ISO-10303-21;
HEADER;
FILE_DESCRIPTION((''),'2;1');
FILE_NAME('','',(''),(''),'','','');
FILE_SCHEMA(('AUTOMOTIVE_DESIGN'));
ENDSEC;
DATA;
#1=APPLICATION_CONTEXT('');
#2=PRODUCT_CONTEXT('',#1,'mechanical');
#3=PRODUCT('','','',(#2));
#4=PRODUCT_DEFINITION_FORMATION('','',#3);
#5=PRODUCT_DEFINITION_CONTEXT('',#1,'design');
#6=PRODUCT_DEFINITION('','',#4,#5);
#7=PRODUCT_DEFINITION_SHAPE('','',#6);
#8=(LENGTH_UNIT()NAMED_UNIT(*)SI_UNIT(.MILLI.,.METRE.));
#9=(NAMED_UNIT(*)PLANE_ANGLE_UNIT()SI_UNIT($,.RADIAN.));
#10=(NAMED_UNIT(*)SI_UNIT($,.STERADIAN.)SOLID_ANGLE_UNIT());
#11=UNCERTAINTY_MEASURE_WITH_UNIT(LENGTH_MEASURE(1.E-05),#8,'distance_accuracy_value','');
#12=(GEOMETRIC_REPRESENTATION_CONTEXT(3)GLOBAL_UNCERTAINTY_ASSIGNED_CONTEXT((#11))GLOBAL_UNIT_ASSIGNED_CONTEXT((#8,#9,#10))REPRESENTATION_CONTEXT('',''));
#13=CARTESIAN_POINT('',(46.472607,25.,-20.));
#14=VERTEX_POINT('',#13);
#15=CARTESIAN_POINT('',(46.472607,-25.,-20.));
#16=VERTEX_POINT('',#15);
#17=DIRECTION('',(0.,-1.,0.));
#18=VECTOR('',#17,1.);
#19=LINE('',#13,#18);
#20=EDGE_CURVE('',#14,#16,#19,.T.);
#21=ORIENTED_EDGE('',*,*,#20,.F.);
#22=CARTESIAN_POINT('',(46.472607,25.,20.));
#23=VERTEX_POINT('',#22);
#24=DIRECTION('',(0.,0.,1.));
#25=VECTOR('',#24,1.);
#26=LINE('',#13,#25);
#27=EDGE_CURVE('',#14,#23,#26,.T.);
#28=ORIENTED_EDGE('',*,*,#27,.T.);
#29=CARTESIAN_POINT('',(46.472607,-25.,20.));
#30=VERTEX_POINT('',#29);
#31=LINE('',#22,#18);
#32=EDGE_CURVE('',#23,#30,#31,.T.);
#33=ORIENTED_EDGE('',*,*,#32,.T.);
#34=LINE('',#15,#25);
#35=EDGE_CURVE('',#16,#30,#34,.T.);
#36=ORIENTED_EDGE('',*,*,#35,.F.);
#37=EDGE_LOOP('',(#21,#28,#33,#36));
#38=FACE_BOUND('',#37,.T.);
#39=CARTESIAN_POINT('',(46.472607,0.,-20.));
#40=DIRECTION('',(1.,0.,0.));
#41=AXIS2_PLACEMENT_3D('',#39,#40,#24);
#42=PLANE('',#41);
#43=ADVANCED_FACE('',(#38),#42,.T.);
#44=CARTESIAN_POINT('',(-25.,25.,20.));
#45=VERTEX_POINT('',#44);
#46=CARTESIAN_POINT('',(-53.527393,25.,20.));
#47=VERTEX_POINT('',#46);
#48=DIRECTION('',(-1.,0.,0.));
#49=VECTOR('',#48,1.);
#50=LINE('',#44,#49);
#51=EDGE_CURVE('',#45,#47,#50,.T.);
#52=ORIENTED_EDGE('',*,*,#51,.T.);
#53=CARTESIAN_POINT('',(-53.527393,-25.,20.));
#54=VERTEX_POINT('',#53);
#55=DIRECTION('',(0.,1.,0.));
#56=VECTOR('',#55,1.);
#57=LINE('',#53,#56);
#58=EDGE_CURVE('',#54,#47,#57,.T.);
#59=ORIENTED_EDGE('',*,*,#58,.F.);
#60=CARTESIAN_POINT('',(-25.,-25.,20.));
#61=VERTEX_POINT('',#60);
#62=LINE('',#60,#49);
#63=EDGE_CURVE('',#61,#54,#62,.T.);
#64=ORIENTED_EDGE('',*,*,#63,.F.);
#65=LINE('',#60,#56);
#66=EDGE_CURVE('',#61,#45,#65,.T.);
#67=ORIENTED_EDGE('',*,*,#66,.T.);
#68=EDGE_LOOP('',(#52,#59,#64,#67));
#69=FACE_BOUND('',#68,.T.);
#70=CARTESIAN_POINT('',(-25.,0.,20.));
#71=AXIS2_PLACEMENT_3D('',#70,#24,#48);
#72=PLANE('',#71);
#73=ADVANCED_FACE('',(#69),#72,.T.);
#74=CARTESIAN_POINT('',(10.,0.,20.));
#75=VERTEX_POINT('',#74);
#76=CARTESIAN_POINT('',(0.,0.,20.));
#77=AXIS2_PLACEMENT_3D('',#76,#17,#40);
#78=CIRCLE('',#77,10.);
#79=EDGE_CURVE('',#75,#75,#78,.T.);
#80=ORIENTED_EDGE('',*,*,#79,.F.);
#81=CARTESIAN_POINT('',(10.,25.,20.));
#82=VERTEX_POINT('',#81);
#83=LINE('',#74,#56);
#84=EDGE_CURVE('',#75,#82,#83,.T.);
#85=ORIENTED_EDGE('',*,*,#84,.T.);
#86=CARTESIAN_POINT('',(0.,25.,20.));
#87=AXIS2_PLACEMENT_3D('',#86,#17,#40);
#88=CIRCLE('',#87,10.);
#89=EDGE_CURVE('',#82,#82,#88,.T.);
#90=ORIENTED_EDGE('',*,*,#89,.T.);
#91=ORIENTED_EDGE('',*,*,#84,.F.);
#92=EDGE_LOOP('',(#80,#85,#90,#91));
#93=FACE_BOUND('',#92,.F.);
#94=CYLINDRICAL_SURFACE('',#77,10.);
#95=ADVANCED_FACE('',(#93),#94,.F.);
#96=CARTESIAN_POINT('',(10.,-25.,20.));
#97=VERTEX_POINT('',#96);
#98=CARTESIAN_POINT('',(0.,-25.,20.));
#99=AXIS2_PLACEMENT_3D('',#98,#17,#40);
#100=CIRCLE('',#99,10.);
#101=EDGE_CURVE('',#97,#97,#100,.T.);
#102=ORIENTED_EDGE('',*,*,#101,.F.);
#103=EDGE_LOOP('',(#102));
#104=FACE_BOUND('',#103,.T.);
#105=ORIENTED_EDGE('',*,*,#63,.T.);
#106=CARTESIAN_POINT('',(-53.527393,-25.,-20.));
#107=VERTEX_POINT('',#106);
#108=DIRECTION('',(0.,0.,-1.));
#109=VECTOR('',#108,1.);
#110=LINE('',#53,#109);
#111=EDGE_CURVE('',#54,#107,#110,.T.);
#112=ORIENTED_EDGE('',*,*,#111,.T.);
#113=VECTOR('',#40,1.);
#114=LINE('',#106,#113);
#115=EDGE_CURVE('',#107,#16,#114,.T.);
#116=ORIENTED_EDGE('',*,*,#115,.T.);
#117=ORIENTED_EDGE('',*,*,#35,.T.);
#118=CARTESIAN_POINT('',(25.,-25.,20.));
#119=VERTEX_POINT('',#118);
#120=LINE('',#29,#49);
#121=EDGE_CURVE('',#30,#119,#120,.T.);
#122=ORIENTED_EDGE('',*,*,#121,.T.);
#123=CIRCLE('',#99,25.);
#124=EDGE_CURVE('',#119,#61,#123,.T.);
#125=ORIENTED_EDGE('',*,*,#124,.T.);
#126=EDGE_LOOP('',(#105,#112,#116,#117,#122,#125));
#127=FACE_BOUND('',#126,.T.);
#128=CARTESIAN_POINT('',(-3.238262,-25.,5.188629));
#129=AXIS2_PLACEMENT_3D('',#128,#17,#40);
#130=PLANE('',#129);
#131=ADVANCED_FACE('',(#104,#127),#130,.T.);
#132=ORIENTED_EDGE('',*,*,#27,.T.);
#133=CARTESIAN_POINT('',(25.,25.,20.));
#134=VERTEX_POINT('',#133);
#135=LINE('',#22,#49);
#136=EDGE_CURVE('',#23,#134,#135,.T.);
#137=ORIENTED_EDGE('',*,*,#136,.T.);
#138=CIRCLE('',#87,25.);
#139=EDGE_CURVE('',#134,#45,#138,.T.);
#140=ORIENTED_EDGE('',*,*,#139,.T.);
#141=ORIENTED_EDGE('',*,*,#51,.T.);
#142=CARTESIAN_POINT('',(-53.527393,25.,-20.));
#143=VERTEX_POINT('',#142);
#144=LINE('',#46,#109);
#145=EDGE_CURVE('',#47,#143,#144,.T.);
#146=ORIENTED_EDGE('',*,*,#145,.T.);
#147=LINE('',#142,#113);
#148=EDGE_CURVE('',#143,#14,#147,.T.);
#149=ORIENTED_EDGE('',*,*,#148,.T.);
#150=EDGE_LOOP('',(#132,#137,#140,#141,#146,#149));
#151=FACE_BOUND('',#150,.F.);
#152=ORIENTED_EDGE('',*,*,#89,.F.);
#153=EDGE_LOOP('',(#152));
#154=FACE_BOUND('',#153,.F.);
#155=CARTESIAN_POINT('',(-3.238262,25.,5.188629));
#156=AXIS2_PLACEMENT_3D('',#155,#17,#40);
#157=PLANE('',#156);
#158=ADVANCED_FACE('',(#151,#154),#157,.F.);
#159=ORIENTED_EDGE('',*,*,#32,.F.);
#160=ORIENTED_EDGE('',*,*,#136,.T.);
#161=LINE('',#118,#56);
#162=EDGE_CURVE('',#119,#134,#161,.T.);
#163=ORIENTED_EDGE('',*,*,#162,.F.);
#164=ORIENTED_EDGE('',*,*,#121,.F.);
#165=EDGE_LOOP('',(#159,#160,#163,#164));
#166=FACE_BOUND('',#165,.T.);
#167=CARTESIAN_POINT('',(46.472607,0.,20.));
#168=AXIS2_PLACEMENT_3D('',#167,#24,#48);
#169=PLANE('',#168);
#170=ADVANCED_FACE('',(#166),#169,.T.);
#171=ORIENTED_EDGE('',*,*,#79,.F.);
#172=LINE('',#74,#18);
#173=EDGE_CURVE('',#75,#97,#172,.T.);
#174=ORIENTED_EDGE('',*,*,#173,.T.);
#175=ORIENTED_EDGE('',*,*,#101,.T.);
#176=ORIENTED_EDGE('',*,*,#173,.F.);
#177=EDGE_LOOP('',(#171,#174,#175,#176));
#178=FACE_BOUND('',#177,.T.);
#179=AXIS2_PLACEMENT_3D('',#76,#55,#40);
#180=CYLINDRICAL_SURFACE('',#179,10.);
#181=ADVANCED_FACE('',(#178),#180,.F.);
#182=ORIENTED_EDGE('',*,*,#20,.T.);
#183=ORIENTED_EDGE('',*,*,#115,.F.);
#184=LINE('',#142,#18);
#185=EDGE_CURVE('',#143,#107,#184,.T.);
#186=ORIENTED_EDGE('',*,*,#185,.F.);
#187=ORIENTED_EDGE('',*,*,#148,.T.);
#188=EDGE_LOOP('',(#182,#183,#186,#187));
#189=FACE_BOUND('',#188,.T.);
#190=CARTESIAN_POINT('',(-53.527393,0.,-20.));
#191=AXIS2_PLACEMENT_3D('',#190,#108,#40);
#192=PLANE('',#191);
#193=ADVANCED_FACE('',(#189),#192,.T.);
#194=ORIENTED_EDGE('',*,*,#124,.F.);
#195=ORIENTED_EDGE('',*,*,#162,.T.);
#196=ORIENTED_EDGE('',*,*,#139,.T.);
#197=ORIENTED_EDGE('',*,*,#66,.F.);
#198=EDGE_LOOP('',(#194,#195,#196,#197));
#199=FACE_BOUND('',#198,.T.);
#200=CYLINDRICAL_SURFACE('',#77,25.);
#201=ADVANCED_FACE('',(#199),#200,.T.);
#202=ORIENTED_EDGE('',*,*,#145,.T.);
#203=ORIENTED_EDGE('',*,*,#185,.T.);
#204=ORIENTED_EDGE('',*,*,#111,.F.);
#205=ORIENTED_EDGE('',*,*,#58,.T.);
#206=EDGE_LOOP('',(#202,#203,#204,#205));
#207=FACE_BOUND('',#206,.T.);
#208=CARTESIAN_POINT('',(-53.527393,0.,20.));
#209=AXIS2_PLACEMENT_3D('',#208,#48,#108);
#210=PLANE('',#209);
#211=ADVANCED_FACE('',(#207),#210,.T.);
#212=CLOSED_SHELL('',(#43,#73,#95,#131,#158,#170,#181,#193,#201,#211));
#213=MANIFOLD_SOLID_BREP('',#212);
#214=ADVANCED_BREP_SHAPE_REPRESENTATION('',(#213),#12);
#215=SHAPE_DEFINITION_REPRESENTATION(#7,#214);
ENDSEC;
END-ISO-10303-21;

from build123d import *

# Parameters (mm, degrees)
F0_R          = 10
F1_DEPTH      = 25
F2_DEPTH      = 25
F2_DEPTH_BACK = 25


with BuildPart() as f1:
    # F0 (on Front) → F1 (new body)
    with BuildSketch(Plane.XZ):
        with BuildLine():
            Line((-53.527393, 20), (-53.527393, -20))
            Line((-53.527393, -20), (46.472607, -20))
            Line((46.472607, -20), (46.472607, 20))
            Line((46.472607, 20), (25, 20))
            ThreePointArc((25, 20), (0, 45), (-25, 20))
            Line((-25, 20), (-53.527393, 20))
        make_face()
        with Locations((0, 20)):
            Circle(F0_R, mode=Mode.SUBTRACT)
    extrude(amount=F1_DEPTH)

    # F0 (on Front) → F2 (join, two sides)
    with BuildSketch(Plane.XZ) as f2_sk:
        with BuildLine():
            Line((-53.527393, 20), (-53.527393, -20))
            Line((-53.527393, -20), (46.472607, -20))
            Line((46.472607, -20), (46.472607, 20))
            Line((46.472607, 20), (25, 20))
            ThreePointArc((25, 20), (0, 45), (-25, 20))
            Line((-25, 20), (-53.527393, 20))
        make_face()
        with Locations((0, 20)):
            Circle(F0_R, mode=Mode.SUBTRACT)
    extrude(amount=F2_DEPTH)
    extrude(f2_sk.sketch, amount=-F2_DEPTH_BACK)


solid = f1.part
